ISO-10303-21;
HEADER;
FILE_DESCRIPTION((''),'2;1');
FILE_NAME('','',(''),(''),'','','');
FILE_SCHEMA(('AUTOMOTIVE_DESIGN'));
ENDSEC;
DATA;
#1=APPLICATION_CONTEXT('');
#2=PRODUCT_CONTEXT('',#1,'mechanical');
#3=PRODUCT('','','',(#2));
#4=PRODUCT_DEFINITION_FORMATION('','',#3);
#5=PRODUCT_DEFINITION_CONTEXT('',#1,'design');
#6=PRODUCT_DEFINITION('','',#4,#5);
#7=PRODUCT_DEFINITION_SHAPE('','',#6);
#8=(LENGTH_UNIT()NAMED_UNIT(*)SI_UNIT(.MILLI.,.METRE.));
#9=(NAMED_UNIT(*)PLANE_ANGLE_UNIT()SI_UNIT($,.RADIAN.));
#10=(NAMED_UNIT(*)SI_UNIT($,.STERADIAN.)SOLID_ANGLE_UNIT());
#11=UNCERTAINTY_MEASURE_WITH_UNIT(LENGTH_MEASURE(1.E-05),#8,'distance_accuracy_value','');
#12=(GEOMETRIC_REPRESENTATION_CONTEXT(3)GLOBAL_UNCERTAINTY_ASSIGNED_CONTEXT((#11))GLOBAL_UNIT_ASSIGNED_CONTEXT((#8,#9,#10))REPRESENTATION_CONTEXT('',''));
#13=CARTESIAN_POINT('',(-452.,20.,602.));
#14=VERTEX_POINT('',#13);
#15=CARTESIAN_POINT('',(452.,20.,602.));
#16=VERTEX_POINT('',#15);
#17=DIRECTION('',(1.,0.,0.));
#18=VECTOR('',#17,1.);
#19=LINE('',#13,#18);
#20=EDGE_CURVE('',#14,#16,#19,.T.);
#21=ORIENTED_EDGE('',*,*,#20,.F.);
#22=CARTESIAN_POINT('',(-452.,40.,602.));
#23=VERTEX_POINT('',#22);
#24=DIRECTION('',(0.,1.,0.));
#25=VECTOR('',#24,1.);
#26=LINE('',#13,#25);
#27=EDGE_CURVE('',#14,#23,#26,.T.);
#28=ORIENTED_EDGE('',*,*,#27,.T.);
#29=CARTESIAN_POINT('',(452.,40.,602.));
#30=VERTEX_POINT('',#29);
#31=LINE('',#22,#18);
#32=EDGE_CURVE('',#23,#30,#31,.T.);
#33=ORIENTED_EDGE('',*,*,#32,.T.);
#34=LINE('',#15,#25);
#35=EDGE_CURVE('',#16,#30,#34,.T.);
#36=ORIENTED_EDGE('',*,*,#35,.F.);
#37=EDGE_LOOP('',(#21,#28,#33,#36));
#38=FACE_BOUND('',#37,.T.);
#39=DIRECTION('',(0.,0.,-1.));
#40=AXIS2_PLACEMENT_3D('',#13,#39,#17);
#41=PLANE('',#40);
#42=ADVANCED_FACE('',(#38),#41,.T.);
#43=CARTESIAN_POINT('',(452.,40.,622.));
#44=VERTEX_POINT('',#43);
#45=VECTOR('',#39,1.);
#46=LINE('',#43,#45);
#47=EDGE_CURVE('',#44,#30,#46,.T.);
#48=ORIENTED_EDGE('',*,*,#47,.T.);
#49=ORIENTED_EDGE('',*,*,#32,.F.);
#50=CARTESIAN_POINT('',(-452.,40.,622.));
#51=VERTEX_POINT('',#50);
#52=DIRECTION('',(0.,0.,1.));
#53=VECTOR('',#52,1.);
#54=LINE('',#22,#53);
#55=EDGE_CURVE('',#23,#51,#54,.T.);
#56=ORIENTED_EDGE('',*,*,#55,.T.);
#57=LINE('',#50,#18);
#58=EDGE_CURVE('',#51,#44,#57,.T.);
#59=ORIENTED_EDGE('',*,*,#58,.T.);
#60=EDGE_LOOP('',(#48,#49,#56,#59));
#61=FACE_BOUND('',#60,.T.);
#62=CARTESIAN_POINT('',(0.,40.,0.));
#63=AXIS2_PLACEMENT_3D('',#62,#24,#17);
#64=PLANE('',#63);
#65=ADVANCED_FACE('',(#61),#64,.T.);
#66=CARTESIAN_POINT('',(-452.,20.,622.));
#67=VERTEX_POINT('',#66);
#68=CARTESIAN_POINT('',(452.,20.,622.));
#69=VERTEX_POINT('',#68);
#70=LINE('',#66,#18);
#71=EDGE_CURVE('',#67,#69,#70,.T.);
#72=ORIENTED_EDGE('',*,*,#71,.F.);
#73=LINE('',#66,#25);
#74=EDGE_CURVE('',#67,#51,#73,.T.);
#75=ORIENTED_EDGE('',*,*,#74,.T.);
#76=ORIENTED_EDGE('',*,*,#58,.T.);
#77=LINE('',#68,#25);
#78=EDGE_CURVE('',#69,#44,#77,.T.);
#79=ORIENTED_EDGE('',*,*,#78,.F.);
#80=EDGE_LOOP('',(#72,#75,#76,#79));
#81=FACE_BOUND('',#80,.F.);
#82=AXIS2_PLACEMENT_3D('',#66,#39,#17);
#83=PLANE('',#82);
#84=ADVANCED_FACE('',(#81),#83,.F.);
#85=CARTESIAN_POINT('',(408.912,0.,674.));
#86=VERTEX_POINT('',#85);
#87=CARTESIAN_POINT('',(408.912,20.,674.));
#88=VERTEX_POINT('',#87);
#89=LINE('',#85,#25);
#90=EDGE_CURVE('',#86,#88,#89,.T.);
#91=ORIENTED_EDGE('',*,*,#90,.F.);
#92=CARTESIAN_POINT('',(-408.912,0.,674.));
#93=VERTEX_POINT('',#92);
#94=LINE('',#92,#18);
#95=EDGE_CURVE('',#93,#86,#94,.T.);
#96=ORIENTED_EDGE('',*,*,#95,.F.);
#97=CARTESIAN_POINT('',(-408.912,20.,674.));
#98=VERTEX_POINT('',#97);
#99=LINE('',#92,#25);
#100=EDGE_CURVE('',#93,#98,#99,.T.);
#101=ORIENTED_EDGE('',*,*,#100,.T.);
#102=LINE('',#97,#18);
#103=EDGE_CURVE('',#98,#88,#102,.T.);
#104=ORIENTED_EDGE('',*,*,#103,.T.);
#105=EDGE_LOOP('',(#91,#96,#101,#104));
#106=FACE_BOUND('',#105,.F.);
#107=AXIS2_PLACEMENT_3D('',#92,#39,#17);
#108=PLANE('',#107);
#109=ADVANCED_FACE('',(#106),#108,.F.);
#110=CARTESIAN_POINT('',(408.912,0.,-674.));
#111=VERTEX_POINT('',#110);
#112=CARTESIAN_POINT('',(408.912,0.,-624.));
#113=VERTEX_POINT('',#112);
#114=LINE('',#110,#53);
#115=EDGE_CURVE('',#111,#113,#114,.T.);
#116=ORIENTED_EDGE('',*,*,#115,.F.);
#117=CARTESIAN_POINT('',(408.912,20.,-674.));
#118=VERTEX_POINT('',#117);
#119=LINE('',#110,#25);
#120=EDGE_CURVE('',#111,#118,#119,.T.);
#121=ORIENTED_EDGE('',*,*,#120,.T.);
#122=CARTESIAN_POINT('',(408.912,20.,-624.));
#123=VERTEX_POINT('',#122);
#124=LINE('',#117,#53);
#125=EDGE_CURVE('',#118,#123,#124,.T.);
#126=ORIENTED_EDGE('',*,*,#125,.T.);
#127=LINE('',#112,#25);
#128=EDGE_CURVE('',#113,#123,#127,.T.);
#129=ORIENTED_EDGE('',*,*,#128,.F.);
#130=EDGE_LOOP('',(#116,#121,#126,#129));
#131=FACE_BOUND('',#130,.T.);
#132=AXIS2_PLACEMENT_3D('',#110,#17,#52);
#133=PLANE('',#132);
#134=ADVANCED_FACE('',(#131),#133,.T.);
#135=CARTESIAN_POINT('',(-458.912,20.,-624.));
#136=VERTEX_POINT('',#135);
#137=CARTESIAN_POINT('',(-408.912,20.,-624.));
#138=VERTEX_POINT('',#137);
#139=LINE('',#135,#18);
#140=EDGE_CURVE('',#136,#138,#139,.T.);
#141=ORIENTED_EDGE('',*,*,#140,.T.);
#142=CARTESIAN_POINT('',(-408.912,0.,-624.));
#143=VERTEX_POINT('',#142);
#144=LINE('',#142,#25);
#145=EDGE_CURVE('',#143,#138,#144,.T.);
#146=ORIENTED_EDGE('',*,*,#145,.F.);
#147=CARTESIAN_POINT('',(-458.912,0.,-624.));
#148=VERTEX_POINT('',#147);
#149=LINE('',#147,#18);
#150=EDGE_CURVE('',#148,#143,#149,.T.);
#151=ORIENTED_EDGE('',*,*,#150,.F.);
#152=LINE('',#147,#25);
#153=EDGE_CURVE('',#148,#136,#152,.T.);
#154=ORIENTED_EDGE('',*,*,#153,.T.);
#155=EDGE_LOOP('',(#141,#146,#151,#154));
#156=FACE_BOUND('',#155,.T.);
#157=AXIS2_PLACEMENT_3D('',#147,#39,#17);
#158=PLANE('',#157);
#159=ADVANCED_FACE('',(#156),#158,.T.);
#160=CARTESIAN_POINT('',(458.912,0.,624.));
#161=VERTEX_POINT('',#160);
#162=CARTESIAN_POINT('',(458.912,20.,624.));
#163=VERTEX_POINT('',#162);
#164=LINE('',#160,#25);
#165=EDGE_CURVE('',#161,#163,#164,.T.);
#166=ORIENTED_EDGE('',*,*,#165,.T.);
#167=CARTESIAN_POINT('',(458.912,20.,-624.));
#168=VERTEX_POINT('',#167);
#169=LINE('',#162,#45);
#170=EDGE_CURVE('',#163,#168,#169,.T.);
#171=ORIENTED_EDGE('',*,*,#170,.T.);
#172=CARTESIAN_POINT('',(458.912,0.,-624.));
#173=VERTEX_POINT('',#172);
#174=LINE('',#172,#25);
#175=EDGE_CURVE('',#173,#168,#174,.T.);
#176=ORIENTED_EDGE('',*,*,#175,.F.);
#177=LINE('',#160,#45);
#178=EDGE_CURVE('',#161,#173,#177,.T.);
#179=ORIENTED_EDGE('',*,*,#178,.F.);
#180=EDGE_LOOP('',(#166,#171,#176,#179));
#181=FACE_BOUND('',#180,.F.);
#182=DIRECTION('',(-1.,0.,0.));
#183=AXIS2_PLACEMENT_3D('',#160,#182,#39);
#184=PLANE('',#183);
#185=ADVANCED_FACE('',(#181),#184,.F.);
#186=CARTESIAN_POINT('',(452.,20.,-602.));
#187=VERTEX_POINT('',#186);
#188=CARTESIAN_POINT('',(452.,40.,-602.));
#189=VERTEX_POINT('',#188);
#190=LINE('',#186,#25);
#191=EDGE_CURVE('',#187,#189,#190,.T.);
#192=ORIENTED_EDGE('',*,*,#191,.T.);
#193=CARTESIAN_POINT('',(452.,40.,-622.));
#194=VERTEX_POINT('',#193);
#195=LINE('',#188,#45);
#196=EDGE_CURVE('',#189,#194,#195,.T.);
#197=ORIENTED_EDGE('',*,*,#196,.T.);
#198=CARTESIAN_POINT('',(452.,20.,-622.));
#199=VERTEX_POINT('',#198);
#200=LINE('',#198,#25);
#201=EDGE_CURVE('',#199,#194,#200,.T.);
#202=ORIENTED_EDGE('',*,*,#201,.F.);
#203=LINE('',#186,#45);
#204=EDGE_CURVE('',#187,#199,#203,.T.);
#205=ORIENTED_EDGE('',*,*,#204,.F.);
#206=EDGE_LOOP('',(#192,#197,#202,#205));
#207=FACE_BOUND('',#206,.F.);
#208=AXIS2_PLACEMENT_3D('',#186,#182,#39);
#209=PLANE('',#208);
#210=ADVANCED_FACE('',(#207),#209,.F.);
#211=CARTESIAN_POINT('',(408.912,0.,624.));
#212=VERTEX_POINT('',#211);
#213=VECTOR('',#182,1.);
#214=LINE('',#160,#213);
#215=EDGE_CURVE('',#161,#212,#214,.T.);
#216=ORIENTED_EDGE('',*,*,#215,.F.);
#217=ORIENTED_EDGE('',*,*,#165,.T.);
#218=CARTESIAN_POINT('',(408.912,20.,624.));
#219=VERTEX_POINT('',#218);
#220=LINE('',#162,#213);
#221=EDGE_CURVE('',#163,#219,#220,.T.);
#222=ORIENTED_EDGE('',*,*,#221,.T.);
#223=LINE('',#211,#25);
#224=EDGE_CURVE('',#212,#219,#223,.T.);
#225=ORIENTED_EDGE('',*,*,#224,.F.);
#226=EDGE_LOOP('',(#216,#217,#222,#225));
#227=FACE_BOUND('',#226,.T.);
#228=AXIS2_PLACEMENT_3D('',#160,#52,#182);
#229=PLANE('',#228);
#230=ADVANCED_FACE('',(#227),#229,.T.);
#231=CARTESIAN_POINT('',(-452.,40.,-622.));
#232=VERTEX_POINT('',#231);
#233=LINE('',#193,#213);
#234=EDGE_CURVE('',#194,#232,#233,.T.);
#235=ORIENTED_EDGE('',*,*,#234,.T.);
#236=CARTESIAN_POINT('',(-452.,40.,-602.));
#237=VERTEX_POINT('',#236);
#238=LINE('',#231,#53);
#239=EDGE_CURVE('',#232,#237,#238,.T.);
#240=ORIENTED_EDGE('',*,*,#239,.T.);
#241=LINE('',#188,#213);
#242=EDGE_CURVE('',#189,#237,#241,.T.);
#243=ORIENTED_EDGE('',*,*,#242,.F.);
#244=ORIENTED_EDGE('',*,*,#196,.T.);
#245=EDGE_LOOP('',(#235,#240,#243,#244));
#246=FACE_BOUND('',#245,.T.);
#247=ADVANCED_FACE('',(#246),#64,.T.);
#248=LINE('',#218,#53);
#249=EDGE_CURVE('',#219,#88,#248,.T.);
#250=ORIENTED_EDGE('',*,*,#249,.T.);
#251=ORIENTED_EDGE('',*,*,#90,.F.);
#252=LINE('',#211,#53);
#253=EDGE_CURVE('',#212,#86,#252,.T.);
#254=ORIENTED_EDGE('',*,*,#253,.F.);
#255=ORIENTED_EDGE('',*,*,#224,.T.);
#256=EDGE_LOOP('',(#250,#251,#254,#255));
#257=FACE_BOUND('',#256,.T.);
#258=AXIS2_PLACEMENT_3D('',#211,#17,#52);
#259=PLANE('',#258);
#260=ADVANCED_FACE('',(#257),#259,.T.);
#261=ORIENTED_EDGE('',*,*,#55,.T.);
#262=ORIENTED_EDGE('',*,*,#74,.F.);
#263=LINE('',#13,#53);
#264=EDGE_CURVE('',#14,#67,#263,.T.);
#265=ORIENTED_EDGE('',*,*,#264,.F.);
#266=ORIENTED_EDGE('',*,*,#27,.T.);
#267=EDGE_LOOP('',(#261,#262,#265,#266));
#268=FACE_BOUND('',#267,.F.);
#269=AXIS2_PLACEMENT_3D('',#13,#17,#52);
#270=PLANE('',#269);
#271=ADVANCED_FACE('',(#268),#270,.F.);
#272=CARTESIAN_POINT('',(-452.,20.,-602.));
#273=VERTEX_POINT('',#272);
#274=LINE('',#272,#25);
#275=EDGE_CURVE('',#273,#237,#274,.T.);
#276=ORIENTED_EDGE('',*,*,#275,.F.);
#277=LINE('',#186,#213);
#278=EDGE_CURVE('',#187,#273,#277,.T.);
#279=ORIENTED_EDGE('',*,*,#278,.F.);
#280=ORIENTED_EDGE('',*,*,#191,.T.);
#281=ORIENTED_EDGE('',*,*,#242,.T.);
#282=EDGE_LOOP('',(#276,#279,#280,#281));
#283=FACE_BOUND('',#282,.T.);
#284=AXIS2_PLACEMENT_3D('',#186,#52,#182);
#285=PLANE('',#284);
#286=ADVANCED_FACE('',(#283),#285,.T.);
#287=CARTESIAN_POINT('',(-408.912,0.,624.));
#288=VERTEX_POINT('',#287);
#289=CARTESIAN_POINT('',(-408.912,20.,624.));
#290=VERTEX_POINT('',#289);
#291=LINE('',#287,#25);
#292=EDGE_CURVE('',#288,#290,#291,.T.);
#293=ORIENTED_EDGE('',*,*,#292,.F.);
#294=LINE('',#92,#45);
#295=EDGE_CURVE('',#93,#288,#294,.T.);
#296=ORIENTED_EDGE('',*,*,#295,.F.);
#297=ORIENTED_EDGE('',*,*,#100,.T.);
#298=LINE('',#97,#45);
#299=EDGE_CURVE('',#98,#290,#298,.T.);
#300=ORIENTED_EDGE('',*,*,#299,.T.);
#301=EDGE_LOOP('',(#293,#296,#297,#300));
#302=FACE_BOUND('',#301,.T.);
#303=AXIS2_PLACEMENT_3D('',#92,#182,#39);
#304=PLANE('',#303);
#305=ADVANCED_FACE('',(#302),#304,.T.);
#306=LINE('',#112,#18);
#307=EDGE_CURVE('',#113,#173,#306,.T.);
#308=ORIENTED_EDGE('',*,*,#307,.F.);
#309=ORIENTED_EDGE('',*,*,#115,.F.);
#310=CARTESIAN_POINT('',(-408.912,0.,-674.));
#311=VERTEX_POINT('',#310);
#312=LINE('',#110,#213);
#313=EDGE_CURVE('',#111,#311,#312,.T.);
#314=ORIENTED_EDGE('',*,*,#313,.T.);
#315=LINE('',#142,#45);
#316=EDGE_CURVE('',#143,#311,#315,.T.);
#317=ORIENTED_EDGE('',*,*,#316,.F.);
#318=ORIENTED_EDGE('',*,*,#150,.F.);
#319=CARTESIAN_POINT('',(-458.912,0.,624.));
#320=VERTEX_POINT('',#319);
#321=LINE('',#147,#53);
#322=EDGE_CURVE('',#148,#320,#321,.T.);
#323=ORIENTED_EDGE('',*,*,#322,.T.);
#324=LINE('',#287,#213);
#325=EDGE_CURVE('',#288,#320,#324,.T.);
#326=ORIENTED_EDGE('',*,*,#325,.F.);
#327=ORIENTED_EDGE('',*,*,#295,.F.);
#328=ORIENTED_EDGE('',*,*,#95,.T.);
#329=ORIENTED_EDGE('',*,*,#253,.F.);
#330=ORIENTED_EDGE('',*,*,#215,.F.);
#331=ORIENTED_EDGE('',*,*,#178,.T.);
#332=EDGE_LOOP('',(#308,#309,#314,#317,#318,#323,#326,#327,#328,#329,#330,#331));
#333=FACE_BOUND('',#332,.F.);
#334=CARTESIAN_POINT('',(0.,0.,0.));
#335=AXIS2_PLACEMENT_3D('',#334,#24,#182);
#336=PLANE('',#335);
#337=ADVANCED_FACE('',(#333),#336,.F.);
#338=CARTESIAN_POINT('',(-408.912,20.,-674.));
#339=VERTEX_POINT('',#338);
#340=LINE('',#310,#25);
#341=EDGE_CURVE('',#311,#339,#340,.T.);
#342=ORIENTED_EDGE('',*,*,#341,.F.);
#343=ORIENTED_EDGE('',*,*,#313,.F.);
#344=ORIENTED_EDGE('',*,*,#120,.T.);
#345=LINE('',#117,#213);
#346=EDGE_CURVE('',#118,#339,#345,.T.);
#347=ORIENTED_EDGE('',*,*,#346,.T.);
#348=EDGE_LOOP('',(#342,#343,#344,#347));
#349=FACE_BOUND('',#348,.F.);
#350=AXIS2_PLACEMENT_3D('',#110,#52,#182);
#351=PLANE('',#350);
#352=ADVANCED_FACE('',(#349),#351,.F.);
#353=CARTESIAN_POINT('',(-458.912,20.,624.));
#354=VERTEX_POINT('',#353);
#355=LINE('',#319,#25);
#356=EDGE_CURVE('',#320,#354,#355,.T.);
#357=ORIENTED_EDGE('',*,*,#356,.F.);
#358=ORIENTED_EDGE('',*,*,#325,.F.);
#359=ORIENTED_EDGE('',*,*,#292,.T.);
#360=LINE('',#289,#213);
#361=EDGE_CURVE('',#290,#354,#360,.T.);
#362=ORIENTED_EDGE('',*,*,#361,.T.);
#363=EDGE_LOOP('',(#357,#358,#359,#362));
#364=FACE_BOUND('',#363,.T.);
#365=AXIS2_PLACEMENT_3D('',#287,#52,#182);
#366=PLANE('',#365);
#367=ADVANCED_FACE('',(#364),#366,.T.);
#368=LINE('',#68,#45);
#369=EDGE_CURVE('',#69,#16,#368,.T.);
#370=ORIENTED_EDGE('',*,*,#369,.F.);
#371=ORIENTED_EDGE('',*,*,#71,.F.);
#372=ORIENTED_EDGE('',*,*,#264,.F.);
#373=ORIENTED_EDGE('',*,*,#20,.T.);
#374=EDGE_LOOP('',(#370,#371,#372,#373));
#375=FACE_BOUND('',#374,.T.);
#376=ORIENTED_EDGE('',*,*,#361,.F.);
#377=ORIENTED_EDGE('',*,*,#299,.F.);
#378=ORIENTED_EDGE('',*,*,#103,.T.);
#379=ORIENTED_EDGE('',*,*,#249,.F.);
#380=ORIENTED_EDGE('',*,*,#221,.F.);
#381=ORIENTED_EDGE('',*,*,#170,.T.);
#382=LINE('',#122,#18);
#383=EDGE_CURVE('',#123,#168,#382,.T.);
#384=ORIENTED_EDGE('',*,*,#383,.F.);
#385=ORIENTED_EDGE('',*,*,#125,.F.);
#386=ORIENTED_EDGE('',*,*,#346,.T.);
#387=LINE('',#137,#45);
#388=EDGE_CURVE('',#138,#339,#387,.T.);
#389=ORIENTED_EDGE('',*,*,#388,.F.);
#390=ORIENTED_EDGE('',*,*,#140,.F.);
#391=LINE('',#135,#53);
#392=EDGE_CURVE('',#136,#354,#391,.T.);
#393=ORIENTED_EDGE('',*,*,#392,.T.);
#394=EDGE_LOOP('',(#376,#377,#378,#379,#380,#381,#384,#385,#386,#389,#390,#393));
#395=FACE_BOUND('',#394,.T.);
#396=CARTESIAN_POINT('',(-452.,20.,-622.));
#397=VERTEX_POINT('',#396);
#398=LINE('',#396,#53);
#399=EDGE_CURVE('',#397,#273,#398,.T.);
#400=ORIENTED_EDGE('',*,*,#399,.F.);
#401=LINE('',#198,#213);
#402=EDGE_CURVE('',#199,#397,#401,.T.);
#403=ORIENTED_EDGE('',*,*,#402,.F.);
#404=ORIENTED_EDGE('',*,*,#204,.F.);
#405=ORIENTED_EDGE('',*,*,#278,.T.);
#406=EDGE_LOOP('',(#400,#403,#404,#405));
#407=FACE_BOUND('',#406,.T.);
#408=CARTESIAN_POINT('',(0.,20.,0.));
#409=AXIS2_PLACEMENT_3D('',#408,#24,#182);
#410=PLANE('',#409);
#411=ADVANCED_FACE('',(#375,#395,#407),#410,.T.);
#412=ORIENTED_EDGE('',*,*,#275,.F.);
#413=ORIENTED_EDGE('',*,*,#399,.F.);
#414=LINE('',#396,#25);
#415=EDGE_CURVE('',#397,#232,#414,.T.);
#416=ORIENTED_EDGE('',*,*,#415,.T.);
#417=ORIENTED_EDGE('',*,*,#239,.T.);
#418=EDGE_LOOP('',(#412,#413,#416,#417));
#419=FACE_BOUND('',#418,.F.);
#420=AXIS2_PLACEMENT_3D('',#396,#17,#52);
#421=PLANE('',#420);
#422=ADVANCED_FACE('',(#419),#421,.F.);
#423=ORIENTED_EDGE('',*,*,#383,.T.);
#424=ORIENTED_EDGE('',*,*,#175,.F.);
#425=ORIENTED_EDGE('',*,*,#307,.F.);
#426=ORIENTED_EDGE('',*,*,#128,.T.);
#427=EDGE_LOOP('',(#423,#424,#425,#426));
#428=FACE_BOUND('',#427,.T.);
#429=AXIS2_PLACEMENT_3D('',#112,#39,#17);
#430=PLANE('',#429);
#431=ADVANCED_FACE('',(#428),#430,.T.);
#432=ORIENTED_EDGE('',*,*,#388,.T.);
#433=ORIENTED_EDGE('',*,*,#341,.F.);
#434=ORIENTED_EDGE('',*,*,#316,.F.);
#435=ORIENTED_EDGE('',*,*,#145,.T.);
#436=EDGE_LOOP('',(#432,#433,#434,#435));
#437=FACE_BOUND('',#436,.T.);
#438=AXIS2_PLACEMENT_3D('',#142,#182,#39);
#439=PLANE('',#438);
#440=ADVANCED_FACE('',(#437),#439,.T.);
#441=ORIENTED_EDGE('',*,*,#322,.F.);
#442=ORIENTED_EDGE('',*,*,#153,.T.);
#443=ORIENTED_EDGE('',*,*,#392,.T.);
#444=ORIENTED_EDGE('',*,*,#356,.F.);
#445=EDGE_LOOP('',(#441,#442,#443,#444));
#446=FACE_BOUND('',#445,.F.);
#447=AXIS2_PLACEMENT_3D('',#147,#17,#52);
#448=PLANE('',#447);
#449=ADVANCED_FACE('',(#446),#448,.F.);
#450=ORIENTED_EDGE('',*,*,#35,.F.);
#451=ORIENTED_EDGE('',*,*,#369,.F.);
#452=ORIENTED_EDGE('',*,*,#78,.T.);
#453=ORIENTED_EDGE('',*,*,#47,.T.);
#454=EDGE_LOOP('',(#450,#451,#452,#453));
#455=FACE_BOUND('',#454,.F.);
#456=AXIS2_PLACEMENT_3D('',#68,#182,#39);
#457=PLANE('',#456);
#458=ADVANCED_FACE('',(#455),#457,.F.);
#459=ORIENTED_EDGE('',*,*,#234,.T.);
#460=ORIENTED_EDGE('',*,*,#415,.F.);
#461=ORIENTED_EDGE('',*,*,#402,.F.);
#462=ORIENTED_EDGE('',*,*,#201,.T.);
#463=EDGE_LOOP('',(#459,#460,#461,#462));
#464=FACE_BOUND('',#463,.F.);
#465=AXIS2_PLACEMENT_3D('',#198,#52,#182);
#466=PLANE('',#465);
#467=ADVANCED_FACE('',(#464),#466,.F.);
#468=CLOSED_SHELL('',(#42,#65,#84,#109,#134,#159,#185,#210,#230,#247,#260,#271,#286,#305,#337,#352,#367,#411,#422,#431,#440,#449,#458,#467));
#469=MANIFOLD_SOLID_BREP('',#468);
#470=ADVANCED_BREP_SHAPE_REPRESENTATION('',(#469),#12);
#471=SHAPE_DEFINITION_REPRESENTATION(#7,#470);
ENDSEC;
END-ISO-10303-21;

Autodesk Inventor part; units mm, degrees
ref_plane "YZ Plane" through (0, 0, 0) normal (1, 0, 0) x (0, 1, 0)
ref_plane "XZ Plane" through (0, 0, 0) normal (0, 1, 0) x (-1, 0, 0)
ref_plane "XY Plane" through (0, 0, 0) normal (0, 0, 1) x (1, 0, 0)
sketch "Sketch1" plane through (0, 0, 0) normal (0, 1, 0) x (-1, 0, 0)
  line L0 (408.912, 674) -> (-408.912, 674)
  line L1 (-458.912, 624) -> (-458.912, -624)
  line L2 (-408.912, -674) -> (408.912, -674)
  line L3 (458.912, -624) -> (458.912, 624)
  line L4 (458.912, 674) -> (-458.912, -674) construction
  line L5 (408.912, 674) -> (408.912, 624)
  line L6 (408.912, 624) -> (458.912, 624)
  line L7 (458.912, 674) -> (408.912, 624) construction
  line L8 (408.912, 674) -> (458.912, 624) construction
  line L9 (-458.912, 624) -> (-408.912, 624)
  line L10 (-408.912, 624) -> (-408.912, 674)
  line L11 (-408.912, 674) -> (-458.912, 624) construction
  line L12 (-458.912, 674) -> (-408.912, 624) construction
  line L13 (458.912, -624) -> (408.912, -624)
  line L14 (408.912, -624) -> (408.912, -674)
  line L15 (458.912, -624) -> (408.912, -674) construction
  line L16 (408.912, -624) -> (458.912, -674) construction
  line L17 (-408.912, -624) -> (-458.912, -624)
  line L18 (-408.912, -674) -> (-408.912, -624)
  line L19 (-408.912, -624) -> (-458.912, -674) construction
  line L20 (-458.912, -624) -> (-408.912, -674) construction
  point P0 (0, 0)
  point P1 (433.912, 649)
  point P2 (-433.912, 649)
  point P3 (433.912, -649)
  point P4 (-433.912, -649)
extrude "Extrusion1" add sketch "Sketch1" along normal blind 20
sketch "Sketch2" plane through (0, 20, 0) normal (0, 1, 0) x (1, 0, 0)
  line L0 (452, 602) -> (-452, 602)
  line L1 (-452, -602) -> (452, -602)
  line L2 (452, 602) -> (-452, -602) construction
  line L3 (-452, 602) -> (452, -602) construction
  line L4 (452, 622) -> (-452, 622)
  line L5 (-452, -622) -> (452, -622)
  line L6 (452, 622) -> (-452, -622) construction
  line L7 (-452, 622) -> (452, -622) construction
  line L8 (452, -622) -> (452, -602)
  line L9 (452, 602) -> (452, 622)
  line L10 (-452, 622) -> (-452, 602)
  line L11 (-452, -602) -> (-452, -622)
  point P0 (0, 0)
extrude "Extrusion2" add sketch "Sketch2" along normal blind 20
properties part number "tub floor 2"
